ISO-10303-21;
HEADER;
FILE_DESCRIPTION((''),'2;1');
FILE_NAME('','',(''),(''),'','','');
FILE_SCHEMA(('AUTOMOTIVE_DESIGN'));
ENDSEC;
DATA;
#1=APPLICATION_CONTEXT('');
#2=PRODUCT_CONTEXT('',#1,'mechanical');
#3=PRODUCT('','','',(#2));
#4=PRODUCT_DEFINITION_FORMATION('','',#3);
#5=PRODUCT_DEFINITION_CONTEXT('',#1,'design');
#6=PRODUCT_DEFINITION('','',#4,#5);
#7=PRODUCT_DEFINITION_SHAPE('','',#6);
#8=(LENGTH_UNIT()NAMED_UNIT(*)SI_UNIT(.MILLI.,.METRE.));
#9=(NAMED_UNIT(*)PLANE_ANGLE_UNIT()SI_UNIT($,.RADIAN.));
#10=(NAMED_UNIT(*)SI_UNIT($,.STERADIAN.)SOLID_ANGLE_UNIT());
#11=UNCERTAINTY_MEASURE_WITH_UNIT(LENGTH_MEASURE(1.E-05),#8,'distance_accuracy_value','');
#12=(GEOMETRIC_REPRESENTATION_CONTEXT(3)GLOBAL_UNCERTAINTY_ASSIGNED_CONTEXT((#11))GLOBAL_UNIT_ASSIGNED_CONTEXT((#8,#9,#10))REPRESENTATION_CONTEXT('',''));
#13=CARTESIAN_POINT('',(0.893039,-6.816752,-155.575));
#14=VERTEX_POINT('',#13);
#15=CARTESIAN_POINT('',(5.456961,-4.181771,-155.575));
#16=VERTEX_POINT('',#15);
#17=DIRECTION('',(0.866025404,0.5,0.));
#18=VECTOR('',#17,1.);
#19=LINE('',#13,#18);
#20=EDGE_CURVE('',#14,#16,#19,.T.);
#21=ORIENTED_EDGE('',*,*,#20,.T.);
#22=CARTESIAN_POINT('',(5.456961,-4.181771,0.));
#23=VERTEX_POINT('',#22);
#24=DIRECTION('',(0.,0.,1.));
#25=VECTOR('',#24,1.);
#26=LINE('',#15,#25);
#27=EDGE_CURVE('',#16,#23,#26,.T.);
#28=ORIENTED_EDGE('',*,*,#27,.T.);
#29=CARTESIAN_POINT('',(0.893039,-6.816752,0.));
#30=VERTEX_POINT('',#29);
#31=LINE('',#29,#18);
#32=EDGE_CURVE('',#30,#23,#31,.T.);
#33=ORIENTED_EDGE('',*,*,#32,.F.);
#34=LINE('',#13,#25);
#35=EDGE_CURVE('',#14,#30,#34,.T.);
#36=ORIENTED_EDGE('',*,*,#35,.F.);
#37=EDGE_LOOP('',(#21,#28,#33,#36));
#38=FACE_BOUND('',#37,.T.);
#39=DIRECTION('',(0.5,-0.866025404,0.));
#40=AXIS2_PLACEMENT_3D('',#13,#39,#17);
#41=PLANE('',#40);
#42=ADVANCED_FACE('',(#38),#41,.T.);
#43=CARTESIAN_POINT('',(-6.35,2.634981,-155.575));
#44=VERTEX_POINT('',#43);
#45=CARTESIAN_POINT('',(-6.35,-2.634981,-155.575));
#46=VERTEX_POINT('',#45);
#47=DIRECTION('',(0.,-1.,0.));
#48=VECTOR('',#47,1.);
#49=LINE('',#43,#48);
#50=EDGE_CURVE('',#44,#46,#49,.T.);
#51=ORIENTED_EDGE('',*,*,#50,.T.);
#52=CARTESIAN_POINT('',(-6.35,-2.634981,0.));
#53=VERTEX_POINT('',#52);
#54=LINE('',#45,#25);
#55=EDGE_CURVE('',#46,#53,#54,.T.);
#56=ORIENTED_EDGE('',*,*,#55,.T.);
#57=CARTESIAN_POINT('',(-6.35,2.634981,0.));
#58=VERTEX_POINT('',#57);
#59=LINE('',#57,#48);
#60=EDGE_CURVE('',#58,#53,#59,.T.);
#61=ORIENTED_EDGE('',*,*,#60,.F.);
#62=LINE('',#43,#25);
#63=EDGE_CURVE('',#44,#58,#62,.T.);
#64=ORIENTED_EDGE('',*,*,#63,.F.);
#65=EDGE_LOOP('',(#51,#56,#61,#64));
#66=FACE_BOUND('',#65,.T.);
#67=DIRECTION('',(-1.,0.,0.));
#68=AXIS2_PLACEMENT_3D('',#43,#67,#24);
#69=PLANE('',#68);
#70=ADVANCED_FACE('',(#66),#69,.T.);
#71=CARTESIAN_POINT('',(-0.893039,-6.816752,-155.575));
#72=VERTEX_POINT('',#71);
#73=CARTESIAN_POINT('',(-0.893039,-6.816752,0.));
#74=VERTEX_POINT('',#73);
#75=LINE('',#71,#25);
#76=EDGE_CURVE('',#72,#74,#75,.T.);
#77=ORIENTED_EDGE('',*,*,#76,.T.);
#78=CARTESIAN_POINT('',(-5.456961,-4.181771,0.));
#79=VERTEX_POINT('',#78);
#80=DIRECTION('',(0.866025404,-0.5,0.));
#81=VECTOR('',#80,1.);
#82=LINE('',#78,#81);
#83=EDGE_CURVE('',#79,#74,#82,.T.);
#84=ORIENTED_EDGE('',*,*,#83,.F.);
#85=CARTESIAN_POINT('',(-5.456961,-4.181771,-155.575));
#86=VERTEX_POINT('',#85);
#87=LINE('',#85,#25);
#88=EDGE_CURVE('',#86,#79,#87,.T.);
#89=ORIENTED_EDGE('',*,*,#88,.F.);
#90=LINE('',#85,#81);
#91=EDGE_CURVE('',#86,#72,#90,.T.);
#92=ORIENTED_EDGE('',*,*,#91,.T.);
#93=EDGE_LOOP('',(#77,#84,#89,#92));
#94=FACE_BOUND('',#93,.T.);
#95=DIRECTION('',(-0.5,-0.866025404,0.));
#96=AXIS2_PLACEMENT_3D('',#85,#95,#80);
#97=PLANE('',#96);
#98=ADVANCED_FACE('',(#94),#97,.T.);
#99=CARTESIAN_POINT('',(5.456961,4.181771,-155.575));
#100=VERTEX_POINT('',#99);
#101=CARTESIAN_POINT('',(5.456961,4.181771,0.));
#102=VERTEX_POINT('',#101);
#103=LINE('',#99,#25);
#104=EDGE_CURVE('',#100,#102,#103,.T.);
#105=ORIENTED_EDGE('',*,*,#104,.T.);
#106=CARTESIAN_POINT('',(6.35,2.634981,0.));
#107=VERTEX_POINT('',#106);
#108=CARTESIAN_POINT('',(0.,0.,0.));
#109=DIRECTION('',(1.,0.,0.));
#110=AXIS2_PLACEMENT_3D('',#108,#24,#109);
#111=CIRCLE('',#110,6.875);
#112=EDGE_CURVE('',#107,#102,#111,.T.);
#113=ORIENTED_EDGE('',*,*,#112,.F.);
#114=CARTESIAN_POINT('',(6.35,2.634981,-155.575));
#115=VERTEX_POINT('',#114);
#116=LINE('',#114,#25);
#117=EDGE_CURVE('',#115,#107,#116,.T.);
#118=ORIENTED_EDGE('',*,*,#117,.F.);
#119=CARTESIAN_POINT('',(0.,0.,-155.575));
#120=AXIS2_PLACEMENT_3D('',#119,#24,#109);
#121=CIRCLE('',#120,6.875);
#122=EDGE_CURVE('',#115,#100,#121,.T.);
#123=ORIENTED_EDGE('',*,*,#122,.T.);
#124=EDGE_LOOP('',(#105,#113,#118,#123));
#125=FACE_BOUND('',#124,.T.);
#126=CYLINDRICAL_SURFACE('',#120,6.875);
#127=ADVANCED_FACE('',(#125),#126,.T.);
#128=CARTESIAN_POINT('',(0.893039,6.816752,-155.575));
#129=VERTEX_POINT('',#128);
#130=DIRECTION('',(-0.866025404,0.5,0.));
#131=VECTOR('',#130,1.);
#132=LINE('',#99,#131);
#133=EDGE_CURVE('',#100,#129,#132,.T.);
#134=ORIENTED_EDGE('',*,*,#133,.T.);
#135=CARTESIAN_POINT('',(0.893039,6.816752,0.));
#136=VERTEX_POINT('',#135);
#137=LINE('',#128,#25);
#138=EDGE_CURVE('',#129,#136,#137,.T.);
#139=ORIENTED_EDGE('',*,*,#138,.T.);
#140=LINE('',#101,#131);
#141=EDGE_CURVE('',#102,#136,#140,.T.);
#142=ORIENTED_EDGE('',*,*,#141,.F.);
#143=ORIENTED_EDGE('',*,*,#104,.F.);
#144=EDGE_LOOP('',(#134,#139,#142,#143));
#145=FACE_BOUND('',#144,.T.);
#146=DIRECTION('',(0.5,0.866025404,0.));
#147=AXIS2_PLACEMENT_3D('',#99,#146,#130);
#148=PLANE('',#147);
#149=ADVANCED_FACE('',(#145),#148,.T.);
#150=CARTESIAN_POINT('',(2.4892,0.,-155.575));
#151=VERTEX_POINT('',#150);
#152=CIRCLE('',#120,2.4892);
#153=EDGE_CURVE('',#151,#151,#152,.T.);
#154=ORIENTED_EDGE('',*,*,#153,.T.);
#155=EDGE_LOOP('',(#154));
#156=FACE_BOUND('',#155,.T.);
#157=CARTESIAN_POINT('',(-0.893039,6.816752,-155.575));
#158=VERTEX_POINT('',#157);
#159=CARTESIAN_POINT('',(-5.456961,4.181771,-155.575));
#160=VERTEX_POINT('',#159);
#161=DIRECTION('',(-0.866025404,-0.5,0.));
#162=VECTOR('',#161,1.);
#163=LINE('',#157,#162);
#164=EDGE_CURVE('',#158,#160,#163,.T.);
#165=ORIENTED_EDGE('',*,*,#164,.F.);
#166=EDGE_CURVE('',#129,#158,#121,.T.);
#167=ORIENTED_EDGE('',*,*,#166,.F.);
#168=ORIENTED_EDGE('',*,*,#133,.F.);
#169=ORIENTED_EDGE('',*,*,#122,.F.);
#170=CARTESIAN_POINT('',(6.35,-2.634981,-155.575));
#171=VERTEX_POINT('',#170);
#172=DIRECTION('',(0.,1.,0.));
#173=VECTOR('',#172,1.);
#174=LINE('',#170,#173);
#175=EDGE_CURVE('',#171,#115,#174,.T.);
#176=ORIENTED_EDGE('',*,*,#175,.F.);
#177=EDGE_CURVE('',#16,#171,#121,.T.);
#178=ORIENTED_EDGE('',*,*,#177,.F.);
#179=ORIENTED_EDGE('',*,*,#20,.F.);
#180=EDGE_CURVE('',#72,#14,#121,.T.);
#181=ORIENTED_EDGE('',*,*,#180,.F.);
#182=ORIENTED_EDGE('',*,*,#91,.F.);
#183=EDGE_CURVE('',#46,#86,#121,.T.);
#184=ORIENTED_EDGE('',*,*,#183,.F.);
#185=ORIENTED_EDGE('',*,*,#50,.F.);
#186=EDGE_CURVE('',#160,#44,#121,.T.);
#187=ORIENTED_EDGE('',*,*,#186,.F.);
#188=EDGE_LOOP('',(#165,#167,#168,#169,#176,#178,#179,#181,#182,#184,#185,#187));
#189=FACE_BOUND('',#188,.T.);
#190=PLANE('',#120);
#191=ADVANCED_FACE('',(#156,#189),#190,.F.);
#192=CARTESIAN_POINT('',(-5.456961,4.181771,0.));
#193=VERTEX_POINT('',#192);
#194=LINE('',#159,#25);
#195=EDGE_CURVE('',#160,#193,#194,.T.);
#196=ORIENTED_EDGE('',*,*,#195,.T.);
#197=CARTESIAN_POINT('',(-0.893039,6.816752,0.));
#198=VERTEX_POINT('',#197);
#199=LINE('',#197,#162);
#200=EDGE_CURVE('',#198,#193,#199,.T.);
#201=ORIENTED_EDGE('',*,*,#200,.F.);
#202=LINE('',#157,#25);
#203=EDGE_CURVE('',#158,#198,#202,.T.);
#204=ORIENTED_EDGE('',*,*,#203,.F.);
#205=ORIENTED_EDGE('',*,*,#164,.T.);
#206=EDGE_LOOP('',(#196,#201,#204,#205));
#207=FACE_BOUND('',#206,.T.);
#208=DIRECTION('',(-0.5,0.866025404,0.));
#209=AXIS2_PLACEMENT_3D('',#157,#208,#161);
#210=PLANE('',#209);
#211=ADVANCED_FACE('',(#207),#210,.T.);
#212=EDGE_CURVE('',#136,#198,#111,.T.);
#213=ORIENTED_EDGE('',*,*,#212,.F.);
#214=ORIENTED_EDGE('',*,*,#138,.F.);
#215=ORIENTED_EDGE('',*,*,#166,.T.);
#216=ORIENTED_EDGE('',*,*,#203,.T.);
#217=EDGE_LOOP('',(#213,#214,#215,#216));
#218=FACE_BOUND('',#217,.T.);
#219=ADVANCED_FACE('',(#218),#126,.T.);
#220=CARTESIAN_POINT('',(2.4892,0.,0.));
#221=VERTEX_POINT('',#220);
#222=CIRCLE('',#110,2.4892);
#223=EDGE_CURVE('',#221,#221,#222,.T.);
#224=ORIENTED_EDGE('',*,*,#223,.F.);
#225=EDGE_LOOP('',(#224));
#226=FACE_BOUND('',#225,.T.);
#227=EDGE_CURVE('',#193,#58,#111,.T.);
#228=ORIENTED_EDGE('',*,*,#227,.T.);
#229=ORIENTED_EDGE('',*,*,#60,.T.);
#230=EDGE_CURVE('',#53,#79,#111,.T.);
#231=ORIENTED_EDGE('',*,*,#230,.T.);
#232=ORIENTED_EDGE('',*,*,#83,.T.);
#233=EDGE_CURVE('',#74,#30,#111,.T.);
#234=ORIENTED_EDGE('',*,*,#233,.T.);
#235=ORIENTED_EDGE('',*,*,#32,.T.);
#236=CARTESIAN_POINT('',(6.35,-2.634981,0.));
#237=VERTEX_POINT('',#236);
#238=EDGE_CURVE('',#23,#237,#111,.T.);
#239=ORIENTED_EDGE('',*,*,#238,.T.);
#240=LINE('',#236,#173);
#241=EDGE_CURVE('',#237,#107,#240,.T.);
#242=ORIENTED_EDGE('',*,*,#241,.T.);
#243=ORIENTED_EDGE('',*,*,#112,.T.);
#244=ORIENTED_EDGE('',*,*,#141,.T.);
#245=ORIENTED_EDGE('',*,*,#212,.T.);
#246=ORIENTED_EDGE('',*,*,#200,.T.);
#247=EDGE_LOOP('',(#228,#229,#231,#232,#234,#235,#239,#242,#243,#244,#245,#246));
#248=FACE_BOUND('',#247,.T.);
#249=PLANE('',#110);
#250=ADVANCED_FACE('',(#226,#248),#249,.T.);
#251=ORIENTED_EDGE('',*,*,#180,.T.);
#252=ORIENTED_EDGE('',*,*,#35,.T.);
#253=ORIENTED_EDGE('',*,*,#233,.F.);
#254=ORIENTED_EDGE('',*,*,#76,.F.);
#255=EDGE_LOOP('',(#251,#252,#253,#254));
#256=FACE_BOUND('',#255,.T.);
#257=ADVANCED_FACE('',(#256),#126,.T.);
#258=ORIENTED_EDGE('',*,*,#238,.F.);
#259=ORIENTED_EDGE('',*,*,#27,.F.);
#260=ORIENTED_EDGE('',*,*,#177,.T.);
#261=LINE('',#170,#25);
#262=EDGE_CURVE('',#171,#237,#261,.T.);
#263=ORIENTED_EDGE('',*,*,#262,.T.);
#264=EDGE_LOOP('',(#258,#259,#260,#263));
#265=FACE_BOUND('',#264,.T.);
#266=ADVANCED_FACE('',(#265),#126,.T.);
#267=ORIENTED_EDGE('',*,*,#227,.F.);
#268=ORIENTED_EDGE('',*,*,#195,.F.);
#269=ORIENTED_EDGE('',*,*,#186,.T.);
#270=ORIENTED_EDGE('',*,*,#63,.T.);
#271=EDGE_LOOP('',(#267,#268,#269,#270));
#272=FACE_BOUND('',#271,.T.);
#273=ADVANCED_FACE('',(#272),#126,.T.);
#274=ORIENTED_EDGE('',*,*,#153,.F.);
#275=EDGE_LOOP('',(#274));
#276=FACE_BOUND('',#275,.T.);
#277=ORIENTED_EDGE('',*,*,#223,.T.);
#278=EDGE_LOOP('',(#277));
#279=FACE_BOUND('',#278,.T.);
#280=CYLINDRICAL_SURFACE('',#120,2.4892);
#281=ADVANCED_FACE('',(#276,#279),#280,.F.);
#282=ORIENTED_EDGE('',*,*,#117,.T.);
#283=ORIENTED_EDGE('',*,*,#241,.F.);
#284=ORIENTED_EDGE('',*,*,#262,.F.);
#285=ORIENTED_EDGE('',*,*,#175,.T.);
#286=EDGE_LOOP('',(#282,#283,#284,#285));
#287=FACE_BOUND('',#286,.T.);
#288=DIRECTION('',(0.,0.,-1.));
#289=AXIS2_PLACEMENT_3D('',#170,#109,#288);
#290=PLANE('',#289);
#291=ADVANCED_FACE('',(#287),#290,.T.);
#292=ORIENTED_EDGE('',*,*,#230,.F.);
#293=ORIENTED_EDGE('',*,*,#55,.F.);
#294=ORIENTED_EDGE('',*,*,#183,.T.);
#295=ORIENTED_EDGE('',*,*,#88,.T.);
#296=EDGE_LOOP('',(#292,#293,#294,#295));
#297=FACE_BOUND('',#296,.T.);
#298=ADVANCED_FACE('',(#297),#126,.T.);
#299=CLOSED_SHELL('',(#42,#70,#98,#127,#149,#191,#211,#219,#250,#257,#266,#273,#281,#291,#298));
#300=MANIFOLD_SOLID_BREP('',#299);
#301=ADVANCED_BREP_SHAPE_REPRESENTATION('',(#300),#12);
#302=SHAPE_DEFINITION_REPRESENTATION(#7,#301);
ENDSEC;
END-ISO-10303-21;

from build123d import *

# Parameters (mm, degrees)
SKETCH2_R           = 2.4892
BOSS_EXTRUDE1_DEPTH = 155.575


with BuildPart() as part:
    # Sketch2 → Boss-Extrude1 (new body)
    with BuildSketch(Plane.XY):
        with BuildLine():
            Line((-0.893039494, 6.816751826), (-5.456960506, 4.181770802))
            ThreePointArc((-5.456960506, 4.181770802), (-5.953924651, 3.4375), (-6.35, 2.634981025))
            Line((-6.35, 2.634981025), (-6.35, -2.634981025))
            ThreePointArc((-6.35, -2.634981025), (-5.953924651, -3.4375), (-5.456960506, -4.181770802))
            Line((-5.456960506, -4.181770802), (-0.893039494, -6.816751826))
            ThreePointArc((-0.893039494, -6.816751826), (0, -6.875), (0.893039494, -6.816751826))
            Line((0.893039494, -6.816751826), (5.456960506, -4.181770802))
            ThreePointArc((5.456960506, -4.181770802), (5.953924651, -3.4375), (6.35, -2.634981025))
            Line((6.35, -2.634981025), (6.35, 2.634981025))
            ThreePointArc((6.35, 2.634981025), (5.953924651, 3.4375), (5.456960506, 4.181770802))
            Line((5.456960506, 4.181770802), (0.893039494, 6.816751826))
            ThreePointArc((0.893039494, 6.816751826), (0, 6.875), (-0.893039494, 6.816751826))
        make_face()
        Circle(SKETCH2_R, mode=Mode.SUBTRACT)
    extrude(amount=-BOSS_EXTRUDE1_DEPTH)


solid = part.part
